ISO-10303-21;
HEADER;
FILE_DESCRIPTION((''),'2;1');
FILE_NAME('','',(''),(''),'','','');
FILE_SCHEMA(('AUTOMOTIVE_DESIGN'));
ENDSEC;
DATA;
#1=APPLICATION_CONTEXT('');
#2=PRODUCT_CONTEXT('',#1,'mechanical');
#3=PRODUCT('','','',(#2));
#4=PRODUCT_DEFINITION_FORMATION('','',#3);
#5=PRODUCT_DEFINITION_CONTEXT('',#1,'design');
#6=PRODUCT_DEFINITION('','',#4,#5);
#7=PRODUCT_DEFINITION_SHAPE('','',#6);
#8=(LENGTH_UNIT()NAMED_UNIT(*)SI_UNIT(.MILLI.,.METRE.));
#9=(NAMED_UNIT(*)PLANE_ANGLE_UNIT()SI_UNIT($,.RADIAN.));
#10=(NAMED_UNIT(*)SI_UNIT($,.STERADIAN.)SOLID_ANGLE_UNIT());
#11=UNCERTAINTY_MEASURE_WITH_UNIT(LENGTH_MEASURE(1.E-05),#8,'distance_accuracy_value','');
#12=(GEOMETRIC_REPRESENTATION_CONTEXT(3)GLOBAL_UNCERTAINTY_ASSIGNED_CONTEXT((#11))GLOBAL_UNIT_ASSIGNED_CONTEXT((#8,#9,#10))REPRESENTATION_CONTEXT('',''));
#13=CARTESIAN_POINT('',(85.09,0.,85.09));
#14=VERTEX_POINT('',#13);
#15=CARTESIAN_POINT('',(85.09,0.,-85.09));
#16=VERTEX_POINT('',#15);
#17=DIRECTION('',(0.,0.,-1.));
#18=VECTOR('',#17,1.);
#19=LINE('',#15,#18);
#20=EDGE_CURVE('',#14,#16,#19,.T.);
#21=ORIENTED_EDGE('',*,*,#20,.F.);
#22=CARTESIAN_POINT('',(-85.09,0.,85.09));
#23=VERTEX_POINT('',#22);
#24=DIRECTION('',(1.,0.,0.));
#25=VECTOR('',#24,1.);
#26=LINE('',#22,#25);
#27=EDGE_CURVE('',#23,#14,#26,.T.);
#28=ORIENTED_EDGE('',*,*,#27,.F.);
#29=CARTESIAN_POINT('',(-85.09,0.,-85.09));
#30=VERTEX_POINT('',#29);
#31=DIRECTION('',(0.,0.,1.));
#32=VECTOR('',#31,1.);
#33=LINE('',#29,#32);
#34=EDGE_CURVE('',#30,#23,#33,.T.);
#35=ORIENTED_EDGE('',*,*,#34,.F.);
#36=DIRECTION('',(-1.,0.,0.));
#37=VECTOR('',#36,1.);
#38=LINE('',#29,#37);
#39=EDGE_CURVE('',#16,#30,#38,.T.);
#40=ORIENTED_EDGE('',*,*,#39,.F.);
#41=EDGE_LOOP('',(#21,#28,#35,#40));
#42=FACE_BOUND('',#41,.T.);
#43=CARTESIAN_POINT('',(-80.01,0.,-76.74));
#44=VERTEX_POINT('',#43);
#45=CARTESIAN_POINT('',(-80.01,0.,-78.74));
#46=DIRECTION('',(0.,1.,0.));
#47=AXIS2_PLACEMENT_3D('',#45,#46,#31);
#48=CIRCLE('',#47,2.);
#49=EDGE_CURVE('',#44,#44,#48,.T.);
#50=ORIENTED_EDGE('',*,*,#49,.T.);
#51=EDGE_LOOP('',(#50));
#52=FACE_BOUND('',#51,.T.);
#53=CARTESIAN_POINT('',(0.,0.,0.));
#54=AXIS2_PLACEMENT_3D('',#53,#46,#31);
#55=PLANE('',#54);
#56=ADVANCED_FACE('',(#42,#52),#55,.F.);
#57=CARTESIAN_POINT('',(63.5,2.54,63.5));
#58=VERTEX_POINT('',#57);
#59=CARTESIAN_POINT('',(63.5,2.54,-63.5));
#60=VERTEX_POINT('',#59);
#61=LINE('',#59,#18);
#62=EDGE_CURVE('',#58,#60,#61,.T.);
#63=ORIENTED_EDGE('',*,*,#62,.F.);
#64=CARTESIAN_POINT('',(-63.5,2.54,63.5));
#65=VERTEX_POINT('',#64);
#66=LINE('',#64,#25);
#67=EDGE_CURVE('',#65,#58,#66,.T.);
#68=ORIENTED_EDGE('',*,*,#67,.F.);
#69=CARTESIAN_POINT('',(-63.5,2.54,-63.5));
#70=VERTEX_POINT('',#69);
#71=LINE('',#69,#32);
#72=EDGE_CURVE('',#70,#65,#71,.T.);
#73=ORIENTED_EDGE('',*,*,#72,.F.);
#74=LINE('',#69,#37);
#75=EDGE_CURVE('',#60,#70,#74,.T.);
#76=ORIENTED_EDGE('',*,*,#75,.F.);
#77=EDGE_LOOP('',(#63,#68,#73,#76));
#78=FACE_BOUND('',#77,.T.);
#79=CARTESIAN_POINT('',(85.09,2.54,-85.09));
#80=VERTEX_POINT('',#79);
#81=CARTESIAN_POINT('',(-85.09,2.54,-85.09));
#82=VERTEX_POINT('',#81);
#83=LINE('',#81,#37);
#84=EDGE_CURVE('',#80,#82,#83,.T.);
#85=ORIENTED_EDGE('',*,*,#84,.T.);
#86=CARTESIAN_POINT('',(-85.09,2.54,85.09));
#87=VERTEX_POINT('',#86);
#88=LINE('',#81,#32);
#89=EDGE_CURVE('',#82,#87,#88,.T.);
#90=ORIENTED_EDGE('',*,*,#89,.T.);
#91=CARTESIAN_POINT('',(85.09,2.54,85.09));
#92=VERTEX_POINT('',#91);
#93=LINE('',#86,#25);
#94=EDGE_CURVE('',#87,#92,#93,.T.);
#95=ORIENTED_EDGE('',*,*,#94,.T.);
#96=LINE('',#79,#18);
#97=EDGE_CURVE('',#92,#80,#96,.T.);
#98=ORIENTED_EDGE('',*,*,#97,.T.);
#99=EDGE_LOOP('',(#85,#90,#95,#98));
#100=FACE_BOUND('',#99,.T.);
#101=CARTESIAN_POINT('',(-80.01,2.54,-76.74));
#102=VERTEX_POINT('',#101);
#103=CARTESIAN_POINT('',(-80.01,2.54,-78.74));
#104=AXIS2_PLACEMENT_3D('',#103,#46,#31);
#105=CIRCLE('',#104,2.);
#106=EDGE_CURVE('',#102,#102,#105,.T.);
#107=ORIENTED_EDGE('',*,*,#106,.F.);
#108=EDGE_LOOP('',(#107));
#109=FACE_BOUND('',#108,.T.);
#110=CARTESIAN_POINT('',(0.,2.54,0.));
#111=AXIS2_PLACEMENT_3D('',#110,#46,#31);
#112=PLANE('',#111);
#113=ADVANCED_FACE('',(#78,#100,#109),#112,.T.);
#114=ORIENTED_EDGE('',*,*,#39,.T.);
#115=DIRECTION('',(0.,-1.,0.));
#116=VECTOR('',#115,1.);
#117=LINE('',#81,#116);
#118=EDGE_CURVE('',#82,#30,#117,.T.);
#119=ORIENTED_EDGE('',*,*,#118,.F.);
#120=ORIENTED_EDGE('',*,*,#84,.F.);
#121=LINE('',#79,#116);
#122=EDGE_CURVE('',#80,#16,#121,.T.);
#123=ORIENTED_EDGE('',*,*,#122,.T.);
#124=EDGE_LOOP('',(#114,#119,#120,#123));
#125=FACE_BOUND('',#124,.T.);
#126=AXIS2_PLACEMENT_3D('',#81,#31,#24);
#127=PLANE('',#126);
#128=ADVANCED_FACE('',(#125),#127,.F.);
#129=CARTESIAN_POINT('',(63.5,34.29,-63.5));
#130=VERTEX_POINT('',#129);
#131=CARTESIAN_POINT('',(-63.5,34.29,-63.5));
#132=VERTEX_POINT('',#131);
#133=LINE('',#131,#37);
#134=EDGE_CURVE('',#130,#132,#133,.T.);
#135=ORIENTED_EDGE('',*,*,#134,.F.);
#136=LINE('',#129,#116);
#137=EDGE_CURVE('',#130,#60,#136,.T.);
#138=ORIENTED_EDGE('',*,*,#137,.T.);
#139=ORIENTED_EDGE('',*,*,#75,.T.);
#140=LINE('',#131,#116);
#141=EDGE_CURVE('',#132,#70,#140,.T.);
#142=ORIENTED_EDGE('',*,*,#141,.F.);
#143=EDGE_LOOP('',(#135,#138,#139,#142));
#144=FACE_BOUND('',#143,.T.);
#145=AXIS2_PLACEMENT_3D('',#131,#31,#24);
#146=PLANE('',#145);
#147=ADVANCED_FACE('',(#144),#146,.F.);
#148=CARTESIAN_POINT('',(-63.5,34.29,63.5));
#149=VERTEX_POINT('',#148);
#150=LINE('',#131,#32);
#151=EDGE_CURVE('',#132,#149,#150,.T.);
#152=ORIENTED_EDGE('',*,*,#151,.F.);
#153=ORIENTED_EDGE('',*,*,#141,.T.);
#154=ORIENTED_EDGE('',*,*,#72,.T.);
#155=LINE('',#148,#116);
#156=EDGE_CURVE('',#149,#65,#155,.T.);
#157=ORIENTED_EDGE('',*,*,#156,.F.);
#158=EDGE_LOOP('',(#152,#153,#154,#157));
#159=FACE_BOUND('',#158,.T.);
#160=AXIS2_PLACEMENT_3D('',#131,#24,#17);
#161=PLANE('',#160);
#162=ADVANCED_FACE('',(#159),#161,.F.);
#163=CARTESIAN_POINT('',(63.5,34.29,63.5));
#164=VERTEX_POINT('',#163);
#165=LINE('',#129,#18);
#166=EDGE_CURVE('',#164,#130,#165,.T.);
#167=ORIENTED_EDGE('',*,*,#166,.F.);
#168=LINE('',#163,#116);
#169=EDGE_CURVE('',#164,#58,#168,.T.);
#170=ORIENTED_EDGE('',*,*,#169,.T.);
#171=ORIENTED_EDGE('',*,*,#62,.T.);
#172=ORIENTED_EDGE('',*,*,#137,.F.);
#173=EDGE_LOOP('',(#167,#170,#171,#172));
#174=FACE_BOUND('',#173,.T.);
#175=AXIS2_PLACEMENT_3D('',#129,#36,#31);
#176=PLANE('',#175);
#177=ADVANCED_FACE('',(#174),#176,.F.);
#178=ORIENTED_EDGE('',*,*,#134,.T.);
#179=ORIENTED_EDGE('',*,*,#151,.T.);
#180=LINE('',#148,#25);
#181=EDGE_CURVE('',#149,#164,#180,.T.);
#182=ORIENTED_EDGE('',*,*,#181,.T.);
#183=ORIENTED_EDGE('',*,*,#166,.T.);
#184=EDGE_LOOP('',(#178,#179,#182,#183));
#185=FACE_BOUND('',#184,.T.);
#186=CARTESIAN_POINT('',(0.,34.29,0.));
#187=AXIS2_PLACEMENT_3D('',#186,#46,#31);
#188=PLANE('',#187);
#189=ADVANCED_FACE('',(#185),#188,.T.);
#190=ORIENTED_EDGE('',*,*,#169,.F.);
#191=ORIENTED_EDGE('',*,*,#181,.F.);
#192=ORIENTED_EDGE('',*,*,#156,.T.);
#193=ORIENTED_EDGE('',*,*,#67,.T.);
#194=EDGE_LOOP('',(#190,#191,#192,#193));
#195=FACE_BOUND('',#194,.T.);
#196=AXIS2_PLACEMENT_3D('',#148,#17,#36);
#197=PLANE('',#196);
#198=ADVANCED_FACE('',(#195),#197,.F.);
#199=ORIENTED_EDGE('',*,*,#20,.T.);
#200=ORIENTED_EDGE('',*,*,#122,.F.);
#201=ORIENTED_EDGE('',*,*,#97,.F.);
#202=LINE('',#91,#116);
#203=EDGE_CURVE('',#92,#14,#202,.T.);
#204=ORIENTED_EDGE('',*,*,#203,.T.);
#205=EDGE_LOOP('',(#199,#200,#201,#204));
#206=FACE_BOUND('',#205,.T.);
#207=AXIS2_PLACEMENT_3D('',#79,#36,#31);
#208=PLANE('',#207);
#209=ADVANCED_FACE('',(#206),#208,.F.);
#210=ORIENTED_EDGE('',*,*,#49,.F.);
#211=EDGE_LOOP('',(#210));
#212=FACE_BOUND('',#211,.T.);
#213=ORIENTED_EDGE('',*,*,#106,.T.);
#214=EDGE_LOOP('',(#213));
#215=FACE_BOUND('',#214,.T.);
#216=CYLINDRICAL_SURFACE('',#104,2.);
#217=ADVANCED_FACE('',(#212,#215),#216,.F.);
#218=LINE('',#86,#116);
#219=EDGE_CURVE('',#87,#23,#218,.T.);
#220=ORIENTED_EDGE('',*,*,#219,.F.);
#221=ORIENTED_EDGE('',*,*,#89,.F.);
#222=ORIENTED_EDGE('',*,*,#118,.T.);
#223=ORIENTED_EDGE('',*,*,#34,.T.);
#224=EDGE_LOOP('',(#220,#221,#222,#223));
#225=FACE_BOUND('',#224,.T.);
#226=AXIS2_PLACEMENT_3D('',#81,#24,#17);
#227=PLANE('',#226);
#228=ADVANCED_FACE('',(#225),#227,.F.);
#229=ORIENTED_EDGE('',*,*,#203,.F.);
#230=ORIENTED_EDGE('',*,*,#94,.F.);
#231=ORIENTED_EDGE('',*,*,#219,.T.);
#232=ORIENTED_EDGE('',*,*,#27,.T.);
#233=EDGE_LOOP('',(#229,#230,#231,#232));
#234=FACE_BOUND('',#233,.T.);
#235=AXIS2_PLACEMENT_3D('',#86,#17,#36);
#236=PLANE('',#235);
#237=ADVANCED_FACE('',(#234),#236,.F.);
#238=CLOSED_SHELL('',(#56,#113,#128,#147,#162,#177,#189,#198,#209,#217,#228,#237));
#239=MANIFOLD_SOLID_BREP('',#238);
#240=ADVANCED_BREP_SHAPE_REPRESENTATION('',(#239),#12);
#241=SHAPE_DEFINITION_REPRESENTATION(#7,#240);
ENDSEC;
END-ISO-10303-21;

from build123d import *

# Parameters (mm, degrees)
SKETCH1_W                 = 170.18
SKETCH1_H                 = 170.18
BOSS_EXTRUDE1_DEPTH       = 2.54
SKETCH2_W                 = 127
SKETCH2_H                 = 127
BOSS_EXTRUDE2_DEPTH       = 31.75
F_4_0MM_DOWEL_HOLE1_D     = 4
F_4_0MM_DOWEL_HOLE1_DEPTH = 12.7
F_4_0MM_DOWEL_HOLE1_TIP   = 1.201721238


with BuildPart() as part:
    # Sketch1 → Boss-Extrude1 (new body)
    with BuildSketch(Plane(origin=(0, 0, 0), x_dir=(1, 0, 0), z_dir=(0, 1, 0))):
        Rectangle(SKETCH1_W, SKETCH1_H)
    extrude(amount=BOSS_EXTRUDE1_DEPTH)

    # Sketch2 → Boss-Extrude2 (add)
    with BuildSketch(Plane(origin=(0, 2.54, 0), x_dir=(1, 0, 0), z_dir=(0, 1, 0))):
        Rectangle(SKETCH2_W, SKETCH2_H)
    extrude(amount=BOSS_EXTRUDE2_DEPTH)

    # Ø4.0mm Dowel Hole1
    with Locations(Plane(origin=(0, 2.54, 0), x_dir=(1, 0, 0), z_dir=(0, 1, 0))):
        with Locations((-80.01, 78.74)):
            Hole(F_4_0MM_DOWEL_HOLE1_D / 2, depth=F_4_0MM_DOWEL_HOLE1_DEPTH)
            with Locations((0, 0, -(F_4_0MM_DOWEL_HOLE1_DEPTH + F_4_0MM_DOWEL_HOLE1_TIP / 2))):  # 118° drill point
                Cone(0, F_4_0MM_DOWEL_HOLE1_D / 2, F_4_0MM_DOWEL_HOLE1_TIP, mode=Mode.SUBTRACT)


solid = part.part
